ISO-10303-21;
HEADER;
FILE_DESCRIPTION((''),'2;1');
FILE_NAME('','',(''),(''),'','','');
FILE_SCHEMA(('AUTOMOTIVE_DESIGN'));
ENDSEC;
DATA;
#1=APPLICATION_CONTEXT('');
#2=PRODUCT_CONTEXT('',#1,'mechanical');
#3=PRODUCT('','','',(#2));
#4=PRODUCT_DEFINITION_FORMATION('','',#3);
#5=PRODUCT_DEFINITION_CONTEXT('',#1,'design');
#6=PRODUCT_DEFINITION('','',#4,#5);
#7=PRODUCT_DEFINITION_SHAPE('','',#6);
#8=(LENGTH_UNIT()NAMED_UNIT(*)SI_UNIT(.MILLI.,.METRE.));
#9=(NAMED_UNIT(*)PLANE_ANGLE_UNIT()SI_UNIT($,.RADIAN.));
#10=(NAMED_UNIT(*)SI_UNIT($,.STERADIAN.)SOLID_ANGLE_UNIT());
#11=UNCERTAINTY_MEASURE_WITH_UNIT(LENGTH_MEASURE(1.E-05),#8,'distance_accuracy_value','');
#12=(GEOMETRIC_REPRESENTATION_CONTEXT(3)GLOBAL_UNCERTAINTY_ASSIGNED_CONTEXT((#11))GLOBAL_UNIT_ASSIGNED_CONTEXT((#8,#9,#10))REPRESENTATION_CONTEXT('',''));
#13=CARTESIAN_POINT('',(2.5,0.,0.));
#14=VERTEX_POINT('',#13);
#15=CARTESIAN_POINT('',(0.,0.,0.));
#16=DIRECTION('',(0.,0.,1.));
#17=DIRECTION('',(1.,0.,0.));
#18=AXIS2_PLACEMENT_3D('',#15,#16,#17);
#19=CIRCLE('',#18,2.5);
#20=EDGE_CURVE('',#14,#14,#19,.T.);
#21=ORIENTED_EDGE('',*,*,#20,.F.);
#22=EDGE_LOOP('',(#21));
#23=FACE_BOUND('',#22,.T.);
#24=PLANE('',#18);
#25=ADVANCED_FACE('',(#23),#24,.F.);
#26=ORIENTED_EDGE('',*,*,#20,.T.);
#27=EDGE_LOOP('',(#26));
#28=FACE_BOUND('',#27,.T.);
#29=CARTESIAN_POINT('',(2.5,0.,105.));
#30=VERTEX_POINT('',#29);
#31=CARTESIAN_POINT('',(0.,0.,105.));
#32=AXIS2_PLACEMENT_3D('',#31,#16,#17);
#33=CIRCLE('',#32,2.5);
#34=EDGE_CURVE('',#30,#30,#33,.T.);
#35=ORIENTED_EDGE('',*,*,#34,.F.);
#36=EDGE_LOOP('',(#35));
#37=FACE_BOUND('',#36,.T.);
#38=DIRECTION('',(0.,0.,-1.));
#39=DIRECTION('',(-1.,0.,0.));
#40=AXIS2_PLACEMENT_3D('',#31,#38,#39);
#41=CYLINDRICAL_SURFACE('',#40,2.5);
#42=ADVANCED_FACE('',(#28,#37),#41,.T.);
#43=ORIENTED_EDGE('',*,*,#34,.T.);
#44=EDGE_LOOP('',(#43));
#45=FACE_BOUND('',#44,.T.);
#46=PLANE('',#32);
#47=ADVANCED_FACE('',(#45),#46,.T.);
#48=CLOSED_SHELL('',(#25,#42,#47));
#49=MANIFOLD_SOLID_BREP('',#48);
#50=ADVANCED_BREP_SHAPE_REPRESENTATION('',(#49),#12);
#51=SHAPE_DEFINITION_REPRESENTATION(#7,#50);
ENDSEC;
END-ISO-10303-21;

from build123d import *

# Parameters (mm, degrees)
SKETCH_1_R      = 2.5
EXTRUDE_1_DEPTH = 105


with BuildPart() as part:
    # Эскиз1 → Вытянуть1 (new body)
    with BuildSketch(Plane.XY):
        Circle(SKETCH_1_R)
    extrude(amount=EXTRUDE_1_DEPTH)


solid = part.part
